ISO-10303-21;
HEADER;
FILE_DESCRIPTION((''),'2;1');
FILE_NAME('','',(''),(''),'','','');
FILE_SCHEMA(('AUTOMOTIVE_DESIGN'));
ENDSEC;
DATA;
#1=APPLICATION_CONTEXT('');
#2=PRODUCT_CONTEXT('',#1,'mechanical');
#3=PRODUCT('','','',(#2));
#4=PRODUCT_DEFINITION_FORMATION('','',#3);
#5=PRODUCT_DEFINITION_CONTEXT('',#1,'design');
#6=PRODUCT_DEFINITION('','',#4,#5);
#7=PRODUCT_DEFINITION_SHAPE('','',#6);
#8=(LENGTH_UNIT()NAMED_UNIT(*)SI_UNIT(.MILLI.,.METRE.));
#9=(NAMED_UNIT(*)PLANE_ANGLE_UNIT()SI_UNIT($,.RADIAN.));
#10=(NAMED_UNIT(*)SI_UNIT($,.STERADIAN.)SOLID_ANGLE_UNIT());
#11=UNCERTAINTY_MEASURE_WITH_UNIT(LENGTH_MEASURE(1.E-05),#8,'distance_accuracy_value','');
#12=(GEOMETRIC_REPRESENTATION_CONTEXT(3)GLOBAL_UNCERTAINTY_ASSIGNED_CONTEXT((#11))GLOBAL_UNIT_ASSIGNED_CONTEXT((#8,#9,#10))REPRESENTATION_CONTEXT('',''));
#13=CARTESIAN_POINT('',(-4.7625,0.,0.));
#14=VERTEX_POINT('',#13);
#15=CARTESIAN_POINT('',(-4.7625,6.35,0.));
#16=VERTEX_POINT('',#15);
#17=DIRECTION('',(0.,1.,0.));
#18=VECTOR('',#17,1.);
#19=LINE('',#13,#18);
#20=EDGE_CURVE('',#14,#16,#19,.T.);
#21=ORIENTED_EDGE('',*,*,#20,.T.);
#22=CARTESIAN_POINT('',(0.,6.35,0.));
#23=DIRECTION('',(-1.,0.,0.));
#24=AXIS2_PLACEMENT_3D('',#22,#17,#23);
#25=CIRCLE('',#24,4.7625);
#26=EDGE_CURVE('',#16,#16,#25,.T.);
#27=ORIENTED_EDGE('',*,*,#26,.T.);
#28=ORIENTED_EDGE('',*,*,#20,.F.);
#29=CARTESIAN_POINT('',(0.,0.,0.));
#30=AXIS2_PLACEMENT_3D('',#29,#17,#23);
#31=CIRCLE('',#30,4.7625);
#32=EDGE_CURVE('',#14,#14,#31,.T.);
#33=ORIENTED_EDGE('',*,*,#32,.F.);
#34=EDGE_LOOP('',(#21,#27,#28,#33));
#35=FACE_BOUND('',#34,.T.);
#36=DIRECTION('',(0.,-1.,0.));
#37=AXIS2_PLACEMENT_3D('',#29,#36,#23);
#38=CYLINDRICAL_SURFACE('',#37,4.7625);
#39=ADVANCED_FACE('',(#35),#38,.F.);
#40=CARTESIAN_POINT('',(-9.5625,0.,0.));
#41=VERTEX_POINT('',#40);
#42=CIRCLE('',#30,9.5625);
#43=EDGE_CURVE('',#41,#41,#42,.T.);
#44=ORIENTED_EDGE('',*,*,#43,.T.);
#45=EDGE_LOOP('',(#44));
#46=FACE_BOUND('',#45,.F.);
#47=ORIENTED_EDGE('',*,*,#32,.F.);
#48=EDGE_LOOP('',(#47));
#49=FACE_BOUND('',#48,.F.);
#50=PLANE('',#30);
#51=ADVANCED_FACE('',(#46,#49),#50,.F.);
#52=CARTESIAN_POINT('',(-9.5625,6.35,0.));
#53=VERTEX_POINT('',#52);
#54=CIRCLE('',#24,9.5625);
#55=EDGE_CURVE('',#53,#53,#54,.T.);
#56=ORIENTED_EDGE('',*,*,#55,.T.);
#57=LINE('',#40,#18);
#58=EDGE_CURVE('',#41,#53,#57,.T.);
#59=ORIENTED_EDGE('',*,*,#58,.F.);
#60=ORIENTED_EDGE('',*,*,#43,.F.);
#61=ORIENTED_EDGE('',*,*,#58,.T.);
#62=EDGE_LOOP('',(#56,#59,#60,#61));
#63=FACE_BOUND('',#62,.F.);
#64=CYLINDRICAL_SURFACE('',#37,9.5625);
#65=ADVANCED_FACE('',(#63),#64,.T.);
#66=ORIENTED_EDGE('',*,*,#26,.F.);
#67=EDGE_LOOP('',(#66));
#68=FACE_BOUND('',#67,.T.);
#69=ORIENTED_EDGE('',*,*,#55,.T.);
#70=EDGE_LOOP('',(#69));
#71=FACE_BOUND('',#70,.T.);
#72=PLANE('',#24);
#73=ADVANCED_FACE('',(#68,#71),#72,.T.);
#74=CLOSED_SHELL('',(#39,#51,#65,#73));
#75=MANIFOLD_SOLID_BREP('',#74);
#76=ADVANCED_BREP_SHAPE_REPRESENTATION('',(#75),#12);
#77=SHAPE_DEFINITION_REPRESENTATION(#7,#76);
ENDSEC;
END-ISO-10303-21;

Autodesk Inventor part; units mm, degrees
ref_plane "YZ Plane" through (0, 0, 0) normal (1, 0, 0) x (0, 1, 0)
ref_plane "XZ Plane" through (0, 0, 0) normal (0, 1, 0) x (-1, 0, 0)
ref_plane "XY Plane" through (0, 0, 0) normal (0, 0, 1) x (1, 0, 0)
sketch "Sketch1" plane through (0, 0, 0) normal (0, 1, 0) x (-1, 0, 0)
  circle A0 centre (0, 0) radius 4.7625
  circle A1 centre (0, 0) radius 9.5625
  dimension "d0" = 9.525
  dimension "d1" = 4.8
extrude "Extrusion1" add sketch "Sketch1" along normal blind 6.35
properties part number "Apparati Bearing Fit Test -0.01"
